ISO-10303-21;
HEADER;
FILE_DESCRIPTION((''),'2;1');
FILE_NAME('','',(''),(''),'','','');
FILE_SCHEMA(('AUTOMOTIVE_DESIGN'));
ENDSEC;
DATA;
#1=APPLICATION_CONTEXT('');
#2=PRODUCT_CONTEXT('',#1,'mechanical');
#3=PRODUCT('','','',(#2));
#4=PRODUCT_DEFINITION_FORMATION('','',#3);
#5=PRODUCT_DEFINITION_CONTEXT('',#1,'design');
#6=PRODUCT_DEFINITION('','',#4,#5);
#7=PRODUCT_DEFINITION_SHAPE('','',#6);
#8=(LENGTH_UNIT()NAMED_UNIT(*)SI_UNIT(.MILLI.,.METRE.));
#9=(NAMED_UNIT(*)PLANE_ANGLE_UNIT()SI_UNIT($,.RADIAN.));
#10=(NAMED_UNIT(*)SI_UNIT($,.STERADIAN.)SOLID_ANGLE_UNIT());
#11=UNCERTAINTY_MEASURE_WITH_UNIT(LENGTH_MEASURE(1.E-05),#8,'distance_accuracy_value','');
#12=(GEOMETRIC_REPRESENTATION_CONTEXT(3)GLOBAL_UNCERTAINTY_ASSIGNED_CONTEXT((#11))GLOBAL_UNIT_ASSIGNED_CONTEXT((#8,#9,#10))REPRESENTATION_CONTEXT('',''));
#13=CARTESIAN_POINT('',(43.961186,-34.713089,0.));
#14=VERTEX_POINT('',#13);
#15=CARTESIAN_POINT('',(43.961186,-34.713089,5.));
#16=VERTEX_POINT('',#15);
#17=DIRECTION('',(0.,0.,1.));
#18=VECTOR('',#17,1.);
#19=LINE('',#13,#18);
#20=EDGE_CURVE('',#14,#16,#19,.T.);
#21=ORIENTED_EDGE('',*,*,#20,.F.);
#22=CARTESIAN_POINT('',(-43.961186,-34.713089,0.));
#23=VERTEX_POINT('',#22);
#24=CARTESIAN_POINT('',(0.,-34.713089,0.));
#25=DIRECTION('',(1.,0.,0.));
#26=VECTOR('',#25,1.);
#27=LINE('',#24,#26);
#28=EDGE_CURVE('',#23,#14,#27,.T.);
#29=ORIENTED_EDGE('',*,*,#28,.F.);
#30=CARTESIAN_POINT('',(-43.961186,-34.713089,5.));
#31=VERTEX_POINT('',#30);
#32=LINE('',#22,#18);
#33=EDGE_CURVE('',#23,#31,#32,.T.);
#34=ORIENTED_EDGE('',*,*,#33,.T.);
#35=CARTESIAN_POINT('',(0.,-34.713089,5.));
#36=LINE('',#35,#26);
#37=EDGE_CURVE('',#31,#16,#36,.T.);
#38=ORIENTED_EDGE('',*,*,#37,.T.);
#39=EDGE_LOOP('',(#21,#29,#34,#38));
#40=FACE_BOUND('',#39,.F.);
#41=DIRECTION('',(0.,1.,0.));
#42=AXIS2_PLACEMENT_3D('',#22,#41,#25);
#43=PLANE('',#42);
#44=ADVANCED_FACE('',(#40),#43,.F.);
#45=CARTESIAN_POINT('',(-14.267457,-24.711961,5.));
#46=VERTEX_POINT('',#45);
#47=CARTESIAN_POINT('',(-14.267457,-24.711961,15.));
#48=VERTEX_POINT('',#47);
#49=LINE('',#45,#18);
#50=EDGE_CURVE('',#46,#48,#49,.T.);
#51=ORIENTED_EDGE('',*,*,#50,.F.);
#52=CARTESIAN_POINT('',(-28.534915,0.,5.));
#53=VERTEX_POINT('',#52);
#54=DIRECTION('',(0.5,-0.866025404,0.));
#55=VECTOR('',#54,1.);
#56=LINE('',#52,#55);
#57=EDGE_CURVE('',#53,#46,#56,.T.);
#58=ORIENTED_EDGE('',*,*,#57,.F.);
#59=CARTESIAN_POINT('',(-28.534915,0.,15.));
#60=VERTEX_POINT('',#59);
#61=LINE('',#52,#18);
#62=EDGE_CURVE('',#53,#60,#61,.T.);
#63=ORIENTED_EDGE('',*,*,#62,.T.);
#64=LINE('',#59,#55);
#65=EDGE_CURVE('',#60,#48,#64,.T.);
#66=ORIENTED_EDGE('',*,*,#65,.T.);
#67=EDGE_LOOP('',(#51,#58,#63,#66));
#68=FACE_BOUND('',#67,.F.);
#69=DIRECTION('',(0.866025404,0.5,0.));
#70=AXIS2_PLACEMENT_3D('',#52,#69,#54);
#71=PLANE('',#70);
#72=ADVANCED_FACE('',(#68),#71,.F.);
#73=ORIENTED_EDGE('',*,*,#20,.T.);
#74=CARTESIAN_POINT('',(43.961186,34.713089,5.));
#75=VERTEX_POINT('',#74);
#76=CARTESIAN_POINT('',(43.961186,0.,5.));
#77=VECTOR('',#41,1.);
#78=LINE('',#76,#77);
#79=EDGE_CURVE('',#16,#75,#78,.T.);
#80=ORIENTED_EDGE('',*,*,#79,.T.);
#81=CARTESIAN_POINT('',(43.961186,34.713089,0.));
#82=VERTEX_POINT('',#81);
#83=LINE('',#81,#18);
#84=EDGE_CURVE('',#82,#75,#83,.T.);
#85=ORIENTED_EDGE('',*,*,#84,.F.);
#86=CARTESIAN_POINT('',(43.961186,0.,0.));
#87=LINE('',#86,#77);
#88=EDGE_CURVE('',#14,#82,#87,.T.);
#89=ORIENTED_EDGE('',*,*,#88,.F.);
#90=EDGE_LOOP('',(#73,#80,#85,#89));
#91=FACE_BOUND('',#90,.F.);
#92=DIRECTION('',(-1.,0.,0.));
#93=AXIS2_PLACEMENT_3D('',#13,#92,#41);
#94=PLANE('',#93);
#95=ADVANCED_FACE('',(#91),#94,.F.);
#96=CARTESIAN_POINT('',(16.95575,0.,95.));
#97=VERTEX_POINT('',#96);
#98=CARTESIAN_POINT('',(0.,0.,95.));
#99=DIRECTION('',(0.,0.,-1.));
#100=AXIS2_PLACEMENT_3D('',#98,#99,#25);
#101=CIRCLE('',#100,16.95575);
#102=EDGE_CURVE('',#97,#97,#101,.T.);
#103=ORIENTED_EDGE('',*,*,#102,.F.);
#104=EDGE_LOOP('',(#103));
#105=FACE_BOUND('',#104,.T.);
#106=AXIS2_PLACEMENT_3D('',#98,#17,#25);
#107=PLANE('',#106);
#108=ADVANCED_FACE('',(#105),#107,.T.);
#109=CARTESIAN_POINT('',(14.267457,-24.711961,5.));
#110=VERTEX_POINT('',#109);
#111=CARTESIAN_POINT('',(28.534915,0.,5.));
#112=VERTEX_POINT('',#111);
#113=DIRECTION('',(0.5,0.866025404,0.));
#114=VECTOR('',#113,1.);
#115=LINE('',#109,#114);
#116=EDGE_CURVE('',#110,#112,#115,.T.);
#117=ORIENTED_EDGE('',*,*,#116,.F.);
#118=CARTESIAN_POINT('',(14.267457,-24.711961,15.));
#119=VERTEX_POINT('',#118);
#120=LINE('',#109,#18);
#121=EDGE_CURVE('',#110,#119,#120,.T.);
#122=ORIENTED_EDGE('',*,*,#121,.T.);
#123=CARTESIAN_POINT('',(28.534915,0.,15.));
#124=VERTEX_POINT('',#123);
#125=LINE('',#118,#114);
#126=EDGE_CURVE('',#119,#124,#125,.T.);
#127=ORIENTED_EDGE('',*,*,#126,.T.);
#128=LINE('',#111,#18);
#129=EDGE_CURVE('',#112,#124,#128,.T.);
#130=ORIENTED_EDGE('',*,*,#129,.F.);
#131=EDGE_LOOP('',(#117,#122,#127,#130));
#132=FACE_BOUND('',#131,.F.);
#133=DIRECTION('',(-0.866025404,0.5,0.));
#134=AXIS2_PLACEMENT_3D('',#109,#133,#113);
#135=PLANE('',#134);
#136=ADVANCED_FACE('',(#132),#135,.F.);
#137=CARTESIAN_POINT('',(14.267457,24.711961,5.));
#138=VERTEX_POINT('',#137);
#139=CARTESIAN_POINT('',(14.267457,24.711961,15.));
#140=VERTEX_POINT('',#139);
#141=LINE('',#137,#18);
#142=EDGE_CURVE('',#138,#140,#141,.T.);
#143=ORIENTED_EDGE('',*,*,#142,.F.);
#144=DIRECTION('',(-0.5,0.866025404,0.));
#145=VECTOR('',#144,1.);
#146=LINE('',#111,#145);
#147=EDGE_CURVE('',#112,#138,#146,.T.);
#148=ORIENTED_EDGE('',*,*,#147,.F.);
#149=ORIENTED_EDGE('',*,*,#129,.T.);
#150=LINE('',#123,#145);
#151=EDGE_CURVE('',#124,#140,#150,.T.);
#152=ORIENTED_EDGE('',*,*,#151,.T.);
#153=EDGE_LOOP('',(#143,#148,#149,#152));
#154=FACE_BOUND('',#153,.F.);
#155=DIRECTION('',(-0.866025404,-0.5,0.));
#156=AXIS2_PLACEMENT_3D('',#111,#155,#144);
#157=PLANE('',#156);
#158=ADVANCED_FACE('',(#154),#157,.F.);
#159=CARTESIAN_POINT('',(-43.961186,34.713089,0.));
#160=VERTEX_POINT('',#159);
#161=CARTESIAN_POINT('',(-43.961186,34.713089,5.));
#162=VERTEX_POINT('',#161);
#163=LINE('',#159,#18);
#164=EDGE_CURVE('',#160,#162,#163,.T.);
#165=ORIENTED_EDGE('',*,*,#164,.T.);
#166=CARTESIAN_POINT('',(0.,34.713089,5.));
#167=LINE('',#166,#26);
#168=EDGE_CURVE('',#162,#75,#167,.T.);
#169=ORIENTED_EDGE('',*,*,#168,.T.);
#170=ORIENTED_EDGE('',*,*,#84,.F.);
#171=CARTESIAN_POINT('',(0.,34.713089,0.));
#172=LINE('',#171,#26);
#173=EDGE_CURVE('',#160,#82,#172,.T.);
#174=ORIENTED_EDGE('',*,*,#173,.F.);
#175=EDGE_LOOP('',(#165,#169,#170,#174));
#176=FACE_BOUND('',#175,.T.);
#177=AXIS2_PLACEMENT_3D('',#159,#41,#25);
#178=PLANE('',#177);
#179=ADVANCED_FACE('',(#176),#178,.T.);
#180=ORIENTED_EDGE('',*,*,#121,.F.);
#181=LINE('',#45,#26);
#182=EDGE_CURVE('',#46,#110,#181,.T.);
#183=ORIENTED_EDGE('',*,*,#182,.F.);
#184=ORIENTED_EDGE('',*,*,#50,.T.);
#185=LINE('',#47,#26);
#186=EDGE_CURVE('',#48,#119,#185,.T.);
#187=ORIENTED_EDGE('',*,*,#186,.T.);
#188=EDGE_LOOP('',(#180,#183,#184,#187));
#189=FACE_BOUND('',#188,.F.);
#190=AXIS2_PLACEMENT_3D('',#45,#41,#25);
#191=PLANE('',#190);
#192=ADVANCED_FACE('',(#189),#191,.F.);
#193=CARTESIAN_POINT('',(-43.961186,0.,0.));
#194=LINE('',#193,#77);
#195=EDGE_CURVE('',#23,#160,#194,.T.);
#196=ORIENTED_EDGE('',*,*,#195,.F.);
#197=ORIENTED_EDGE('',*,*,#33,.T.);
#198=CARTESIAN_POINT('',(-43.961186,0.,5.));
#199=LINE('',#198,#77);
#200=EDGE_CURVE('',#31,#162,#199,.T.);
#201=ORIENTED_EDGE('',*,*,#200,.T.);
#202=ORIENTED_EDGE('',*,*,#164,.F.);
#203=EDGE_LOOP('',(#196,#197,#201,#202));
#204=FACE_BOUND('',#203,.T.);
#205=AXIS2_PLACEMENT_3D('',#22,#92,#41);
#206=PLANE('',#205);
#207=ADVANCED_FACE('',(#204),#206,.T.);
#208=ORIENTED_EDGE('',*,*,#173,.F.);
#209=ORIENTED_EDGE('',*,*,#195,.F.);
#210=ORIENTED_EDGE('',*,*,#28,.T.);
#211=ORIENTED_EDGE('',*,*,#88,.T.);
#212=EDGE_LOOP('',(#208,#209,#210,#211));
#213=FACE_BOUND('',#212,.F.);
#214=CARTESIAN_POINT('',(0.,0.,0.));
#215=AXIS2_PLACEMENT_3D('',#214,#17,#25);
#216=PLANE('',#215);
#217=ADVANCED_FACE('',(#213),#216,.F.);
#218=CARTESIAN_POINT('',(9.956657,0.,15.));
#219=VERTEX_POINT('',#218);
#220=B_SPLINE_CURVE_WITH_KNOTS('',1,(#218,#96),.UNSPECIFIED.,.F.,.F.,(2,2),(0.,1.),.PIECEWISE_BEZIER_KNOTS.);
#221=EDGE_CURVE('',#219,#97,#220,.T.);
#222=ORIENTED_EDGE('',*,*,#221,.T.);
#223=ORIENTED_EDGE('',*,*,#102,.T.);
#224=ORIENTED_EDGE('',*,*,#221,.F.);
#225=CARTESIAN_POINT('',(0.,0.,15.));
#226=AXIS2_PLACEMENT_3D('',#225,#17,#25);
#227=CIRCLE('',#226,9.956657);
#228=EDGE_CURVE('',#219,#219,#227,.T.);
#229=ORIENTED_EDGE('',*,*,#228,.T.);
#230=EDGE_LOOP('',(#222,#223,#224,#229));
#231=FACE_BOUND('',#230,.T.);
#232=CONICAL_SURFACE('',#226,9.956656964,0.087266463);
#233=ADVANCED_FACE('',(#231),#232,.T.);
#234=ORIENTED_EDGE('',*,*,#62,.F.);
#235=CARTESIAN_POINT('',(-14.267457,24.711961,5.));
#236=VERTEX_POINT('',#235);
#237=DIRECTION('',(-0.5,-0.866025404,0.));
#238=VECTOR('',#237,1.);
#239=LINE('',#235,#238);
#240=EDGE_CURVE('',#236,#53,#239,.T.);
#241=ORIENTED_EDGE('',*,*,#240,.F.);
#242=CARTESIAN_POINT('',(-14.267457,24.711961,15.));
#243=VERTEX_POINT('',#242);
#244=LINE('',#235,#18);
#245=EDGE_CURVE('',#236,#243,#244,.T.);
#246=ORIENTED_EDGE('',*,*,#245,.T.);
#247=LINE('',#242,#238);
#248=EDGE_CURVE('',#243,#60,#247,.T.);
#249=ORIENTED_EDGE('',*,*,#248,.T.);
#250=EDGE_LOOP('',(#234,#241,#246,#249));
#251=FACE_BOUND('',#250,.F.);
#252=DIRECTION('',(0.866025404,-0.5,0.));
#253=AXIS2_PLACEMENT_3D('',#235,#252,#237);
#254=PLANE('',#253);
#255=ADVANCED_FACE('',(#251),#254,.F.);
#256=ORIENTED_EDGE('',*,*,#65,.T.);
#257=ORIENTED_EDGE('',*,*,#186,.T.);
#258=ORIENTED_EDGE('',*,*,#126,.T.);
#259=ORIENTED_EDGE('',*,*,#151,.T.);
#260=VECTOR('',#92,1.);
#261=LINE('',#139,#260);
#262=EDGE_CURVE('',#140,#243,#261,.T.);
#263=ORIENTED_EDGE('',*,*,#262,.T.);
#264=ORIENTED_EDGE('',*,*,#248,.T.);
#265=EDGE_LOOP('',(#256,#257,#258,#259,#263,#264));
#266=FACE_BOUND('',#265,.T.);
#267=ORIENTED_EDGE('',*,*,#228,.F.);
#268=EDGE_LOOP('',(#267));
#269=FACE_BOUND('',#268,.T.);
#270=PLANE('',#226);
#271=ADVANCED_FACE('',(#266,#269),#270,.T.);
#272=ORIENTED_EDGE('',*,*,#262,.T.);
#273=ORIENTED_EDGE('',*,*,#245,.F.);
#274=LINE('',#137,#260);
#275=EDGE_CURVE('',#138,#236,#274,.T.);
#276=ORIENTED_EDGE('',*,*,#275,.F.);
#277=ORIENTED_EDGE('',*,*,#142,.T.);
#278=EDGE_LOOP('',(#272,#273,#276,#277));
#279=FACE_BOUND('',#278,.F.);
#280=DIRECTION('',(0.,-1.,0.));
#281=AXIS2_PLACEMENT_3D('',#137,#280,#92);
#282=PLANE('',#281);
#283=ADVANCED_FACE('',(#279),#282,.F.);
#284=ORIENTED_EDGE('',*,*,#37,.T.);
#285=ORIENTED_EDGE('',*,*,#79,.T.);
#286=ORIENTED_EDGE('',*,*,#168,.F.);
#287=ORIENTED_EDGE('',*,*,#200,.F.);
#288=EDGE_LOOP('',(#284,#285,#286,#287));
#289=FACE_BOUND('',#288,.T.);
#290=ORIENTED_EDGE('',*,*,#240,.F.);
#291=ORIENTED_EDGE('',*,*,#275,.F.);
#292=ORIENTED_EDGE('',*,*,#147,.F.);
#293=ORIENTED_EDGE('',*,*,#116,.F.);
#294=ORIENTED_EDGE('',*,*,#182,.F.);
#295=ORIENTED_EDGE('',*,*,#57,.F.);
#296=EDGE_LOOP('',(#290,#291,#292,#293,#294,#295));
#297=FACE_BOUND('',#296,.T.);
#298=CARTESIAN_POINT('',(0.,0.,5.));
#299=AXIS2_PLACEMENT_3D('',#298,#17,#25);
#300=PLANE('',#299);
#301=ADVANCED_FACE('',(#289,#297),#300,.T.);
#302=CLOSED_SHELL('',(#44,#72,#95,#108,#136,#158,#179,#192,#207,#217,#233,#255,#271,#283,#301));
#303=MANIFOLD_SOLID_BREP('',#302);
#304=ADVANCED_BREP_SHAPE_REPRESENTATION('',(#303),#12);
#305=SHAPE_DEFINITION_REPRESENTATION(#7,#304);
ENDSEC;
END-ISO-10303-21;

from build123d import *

# Parameters (mm, degrees)
F0_W     = 87.9223719239
F0_H     = 69.4261789322
F1_DEPTH = 5
F3_DEPTH = 10
F4_R     = 9.9566569638
F5_DEPTH = 80
F5_TAPER = -5


with BuildPart() as f1:
    # F0 (on Top) → F1 (new body)
    with BuildSketch(Plane.XY):
        Rectangle(F0_W, F0_H)
    extrude(amount=F1_DEPTH)

    # F2 (on face) → F3 (join)
    with BuildSketch(Plane.XY.offset(5)):
        Polygon((14.2674572932, 24.7119609267), (-14.2674572932, 24.7119609267), (-28.5349145864, 0), (-14.2674572932, -24.7119609267), (14.2674572932, -24.7119609267), (28.5349145864, 0), align=None)
    extrude(amount=F3_DEPTH)

    # F4 (on face) → F5 (join)
    with BuildSketch(Plane.XY.offset(15)):
        Circle(F4_R)
    extrude(amount=F5_DEPTH, taper=F5_TAPER)


solid = f1.part
